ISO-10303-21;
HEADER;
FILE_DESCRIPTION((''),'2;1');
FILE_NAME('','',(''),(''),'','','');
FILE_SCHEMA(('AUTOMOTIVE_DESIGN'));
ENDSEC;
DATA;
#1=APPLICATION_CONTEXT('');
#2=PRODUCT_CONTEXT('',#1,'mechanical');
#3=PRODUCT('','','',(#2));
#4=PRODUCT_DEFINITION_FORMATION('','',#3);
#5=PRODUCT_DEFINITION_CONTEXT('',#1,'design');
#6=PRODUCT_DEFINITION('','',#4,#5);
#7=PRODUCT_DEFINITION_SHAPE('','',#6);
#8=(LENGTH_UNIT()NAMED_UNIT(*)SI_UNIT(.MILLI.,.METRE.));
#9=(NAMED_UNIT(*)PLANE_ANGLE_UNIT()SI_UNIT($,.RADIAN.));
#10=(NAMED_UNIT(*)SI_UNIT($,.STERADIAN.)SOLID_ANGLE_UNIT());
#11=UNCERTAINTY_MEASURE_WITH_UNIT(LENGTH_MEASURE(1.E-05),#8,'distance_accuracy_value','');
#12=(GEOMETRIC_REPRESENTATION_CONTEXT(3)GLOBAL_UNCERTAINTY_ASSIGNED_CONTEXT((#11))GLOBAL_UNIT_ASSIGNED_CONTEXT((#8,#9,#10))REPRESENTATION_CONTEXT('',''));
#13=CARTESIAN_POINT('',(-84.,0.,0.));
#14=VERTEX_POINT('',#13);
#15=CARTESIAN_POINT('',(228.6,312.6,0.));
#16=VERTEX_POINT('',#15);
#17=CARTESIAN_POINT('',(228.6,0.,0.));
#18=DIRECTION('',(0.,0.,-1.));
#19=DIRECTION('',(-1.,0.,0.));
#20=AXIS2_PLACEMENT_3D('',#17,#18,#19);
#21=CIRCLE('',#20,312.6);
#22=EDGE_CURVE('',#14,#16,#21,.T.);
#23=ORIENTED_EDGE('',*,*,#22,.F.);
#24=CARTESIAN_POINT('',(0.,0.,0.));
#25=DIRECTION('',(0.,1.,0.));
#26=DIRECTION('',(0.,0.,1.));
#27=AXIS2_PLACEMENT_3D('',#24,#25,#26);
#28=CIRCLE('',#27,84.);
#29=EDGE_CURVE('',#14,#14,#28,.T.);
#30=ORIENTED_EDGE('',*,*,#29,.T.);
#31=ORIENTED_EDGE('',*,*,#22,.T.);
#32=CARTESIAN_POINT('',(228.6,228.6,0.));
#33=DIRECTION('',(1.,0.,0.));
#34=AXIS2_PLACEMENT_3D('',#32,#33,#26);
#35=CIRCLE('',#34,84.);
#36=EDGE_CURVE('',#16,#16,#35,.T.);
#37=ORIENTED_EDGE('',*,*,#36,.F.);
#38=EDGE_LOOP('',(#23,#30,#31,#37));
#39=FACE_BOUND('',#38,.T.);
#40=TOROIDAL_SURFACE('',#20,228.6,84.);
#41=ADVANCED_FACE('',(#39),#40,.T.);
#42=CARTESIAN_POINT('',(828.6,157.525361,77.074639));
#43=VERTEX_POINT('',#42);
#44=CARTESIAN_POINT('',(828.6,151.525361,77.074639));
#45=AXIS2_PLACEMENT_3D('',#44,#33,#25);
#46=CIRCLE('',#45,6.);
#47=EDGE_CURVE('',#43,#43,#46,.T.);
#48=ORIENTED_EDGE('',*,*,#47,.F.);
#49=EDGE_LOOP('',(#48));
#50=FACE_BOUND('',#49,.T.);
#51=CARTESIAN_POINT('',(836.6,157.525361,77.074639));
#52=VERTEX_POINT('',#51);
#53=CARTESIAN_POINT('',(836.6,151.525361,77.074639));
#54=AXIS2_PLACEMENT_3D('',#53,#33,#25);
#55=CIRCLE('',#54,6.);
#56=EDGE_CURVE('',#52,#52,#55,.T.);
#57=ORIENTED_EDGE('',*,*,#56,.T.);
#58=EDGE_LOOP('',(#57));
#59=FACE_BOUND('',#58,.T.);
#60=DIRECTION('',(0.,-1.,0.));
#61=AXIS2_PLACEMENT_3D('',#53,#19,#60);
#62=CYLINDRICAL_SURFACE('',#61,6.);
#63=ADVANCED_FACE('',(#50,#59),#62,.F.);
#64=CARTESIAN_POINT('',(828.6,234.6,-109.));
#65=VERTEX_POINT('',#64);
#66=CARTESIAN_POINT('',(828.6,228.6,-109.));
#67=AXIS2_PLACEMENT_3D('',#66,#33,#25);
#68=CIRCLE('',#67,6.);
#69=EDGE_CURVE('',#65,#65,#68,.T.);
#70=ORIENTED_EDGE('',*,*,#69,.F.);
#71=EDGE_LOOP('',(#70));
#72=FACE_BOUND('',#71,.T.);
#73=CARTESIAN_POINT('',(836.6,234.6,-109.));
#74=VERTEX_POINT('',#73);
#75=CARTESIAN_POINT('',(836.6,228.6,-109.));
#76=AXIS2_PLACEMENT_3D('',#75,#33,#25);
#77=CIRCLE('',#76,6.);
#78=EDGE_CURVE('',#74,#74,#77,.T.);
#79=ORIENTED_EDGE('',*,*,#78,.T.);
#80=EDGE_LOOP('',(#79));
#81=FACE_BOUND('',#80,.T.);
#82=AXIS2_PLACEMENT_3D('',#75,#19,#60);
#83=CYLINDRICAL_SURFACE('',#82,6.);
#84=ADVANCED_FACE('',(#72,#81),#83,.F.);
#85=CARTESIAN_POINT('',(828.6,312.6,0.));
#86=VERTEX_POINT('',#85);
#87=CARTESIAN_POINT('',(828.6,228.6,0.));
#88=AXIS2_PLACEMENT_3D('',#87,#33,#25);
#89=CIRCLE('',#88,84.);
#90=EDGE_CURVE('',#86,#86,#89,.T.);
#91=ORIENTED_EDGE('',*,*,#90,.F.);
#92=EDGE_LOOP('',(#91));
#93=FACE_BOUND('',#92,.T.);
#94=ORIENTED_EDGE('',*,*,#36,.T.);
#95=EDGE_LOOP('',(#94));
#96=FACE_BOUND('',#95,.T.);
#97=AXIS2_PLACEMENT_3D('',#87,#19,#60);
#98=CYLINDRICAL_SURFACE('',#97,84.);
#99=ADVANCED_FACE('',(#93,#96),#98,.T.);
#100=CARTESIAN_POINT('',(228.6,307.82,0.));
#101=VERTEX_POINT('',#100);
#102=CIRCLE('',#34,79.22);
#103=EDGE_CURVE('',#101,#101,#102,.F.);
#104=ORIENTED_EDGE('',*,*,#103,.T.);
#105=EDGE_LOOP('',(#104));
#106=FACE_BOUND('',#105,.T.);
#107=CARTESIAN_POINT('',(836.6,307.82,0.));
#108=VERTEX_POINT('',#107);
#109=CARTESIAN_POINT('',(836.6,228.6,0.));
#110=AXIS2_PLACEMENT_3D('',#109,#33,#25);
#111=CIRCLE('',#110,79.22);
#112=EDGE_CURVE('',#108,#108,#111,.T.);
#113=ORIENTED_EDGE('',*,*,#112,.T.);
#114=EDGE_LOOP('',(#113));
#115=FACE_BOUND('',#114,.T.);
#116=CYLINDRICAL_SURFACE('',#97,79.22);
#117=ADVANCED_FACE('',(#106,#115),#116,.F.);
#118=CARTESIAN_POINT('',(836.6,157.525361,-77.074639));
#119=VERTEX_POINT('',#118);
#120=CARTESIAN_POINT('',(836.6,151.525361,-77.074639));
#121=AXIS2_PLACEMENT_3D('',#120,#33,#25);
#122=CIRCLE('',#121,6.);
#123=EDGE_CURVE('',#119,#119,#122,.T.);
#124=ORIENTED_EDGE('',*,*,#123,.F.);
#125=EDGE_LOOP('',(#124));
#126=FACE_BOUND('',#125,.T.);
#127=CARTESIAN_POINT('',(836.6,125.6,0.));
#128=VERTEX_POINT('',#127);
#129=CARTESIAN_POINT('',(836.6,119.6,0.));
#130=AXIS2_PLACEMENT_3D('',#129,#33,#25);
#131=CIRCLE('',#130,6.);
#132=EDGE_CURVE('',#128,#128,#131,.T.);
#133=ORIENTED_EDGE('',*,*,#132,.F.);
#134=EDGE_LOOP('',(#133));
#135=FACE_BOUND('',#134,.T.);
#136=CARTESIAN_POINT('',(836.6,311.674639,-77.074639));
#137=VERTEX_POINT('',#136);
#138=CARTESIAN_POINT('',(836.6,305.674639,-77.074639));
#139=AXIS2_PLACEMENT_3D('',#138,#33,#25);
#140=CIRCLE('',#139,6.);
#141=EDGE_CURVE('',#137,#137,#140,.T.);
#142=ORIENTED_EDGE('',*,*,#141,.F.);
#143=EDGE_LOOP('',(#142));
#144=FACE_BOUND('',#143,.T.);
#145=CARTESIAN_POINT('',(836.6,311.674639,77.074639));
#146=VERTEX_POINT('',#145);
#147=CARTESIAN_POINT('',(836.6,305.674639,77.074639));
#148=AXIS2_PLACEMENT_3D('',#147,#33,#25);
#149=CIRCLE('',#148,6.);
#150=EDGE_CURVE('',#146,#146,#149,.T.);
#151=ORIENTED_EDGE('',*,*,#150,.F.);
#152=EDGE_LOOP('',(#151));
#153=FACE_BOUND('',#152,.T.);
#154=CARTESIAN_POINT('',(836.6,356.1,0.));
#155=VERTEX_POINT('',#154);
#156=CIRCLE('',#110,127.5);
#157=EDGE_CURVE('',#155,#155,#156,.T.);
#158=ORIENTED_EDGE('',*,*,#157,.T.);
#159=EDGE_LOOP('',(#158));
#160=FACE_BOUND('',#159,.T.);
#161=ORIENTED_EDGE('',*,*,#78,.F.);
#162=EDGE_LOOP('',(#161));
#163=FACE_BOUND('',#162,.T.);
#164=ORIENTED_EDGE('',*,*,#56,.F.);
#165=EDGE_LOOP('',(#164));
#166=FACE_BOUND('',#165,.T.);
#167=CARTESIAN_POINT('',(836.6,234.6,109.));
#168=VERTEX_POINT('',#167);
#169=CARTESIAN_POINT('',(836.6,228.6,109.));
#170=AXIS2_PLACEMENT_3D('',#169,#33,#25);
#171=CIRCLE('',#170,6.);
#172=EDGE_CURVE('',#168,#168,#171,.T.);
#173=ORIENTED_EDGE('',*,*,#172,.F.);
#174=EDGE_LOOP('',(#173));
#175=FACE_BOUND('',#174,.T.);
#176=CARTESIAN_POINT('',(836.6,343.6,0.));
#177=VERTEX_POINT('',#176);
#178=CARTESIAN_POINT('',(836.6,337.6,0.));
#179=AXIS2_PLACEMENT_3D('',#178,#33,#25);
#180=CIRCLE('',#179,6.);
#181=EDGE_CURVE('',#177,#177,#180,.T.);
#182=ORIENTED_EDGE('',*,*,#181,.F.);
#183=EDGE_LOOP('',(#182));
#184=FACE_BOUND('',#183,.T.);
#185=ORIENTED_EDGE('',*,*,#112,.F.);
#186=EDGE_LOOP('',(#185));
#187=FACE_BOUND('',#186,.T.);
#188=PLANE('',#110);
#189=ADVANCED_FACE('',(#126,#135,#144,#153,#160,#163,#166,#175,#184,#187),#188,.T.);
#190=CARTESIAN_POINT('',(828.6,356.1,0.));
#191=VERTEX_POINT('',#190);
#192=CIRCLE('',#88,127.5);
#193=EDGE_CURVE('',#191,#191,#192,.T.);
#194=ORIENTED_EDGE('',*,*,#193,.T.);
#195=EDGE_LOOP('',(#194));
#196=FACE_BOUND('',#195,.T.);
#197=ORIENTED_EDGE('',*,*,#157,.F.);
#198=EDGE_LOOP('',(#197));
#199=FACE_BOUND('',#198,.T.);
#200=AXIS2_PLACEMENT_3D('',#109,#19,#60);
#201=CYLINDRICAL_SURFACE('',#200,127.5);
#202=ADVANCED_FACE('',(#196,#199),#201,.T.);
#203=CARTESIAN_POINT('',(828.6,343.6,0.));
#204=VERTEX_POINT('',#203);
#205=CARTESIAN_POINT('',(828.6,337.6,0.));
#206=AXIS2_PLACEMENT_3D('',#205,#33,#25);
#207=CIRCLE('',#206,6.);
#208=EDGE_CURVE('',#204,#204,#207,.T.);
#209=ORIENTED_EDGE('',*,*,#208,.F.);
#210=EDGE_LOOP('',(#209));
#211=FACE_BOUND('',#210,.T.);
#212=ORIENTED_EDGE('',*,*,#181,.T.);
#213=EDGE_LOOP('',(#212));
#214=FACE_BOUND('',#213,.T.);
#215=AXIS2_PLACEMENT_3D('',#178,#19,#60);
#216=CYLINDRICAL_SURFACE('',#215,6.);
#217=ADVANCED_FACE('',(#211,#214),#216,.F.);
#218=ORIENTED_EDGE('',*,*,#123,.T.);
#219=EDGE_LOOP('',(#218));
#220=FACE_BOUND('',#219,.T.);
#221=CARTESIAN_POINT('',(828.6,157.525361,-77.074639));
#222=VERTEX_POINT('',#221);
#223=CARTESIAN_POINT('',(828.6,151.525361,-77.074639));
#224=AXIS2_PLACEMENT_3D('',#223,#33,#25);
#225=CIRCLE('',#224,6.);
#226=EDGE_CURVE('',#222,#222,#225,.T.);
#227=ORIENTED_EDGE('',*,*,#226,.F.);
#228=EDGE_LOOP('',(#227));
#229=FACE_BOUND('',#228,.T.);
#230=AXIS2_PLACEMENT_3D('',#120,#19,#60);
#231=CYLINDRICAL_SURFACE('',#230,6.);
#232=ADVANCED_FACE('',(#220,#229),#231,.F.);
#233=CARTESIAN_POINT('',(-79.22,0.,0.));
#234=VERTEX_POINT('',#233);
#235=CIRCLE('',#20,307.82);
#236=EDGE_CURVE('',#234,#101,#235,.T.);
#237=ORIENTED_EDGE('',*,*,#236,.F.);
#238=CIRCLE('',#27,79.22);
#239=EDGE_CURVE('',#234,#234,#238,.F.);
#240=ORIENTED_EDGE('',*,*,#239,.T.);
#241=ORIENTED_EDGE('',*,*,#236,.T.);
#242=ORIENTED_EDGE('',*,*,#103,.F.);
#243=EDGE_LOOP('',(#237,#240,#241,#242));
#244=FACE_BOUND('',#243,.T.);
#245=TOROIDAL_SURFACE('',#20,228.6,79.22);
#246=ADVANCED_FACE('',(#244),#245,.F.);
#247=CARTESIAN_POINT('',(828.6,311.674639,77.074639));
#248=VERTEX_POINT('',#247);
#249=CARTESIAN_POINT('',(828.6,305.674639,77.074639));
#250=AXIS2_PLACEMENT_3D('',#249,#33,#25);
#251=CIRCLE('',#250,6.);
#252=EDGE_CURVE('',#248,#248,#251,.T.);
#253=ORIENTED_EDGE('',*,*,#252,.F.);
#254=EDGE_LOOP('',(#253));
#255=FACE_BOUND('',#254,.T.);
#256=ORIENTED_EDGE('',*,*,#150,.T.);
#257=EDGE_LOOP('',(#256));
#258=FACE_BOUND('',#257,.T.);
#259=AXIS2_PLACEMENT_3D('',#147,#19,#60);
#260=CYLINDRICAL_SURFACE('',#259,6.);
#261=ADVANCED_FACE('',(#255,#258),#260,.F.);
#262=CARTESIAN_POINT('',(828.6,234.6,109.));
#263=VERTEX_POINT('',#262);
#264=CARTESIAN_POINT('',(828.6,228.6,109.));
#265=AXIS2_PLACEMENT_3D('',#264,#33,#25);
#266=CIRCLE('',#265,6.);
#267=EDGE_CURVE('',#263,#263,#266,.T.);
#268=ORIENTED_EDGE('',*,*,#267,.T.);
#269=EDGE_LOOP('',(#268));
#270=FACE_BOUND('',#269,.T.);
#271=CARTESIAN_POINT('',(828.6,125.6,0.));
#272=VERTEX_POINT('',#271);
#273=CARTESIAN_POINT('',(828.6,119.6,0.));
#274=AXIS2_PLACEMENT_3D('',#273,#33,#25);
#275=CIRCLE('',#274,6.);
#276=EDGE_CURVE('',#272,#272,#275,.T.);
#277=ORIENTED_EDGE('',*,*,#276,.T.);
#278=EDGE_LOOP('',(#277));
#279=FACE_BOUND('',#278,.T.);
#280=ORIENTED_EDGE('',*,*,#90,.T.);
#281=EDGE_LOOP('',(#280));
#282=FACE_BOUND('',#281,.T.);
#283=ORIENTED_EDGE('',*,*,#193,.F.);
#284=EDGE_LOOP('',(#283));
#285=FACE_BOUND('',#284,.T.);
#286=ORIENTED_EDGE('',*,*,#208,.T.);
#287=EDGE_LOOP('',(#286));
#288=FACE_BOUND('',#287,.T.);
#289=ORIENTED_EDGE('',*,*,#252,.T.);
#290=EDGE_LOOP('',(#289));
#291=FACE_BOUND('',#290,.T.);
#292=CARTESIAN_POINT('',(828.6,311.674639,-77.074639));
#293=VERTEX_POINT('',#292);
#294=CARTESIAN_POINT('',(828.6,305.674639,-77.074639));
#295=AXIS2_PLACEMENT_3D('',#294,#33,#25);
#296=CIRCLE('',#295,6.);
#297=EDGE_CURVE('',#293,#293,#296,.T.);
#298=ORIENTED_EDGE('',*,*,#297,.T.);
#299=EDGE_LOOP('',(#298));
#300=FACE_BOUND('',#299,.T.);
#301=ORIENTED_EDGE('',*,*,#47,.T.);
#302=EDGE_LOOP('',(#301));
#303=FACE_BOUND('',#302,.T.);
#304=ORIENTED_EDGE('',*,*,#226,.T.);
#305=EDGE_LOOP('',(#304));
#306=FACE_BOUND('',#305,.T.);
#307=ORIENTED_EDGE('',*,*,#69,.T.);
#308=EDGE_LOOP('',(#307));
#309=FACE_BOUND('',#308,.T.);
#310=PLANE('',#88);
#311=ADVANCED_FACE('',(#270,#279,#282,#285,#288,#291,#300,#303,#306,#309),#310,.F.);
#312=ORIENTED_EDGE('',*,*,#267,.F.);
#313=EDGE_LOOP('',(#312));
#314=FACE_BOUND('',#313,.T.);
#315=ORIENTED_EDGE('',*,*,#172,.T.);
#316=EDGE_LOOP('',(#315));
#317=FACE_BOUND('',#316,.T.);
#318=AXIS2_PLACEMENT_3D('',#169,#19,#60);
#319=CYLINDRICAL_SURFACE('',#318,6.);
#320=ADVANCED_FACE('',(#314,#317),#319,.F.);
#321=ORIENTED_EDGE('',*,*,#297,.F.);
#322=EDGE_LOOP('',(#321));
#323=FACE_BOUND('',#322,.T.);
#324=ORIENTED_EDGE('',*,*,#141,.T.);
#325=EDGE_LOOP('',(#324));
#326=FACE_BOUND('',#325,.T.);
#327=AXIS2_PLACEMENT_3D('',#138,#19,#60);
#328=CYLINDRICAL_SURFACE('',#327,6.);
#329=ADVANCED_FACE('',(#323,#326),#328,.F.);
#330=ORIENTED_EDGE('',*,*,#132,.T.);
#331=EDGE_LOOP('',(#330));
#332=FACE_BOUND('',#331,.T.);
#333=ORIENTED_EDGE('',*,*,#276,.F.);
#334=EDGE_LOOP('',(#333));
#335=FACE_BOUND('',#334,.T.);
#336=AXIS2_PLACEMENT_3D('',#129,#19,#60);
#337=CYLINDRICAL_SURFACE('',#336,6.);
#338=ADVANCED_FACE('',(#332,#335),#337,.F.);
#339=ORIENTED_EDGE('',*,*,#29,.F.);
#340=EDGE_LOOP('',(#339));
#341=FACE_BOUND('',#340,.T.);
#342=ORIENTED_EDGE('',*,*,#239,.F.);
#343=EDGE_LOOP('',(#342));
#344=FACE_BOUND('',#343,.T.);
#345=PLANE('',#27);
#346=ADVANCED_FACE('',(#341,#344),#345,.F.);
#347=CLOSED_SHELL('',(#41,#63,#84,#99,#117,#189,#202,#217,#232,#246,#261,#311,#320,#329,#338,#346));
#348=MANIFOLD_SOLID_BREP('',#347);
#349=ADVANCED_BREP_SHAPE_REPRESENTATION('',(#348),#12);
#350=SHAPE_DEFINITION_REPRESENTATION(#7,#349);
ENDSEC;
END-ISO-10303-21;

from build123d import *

# Parameters (mm, degrees)
SKETCH1_R           = 84
SKETCH1_R_2         = 79.22
SKETCH3_R           = 84
SKETCH3_R_2         = 79.22
BOSS_EXTRUDE1_DEPTH = 600
SKETCH4_R           = 127.5
SKETCH4_R_2         = 79.22
SKETCH4_R_3         = 6
BOSS_EXTRUDE2_DEPTH = 8


with BuildPart() as part:
    # Sweep1: sweep along a path in Sketch2
    with BuildLine(Plane.XY) as sweep1_path:
        ThreePointArc((0, 0), (66.955389821, 161.644610179), (228.6, 228.6))
    # Sketch1 → Sweep1 (sweep)
    with BuildSketch(Plane(origin=(0, 0, 0), x_dir=(1, 0, 0), z_dir=(0, 1, 0))):
        Circle(SKETCH1_R)
        Circle(SKETCH1_R_2, mode=Mode.SUBTRACT)
    sweep(path=sweep1_path.line)

    # Sketch3 → Boss-Extrude1 (add)
    with BuildSketch(Plane(origin=(228.6, 0, 0), x_dir=(0, 0, -1), z_dir=(1, 0, 0))):
        with Locations(Location((0, 228.6, 0), (0, 0, 90))):
            Circle(SKETCH3_R)
        with Locations(Location((0, 228.6, 0), (0, 0, 90))):
            Circle(SKETCH3_R_2, mode=Mode.SUBTRACT)
    extrude(amount=BOSS_EXTRUDE1_DEPTH)

    # Sketch4 → Boss-Extrude2 (add)
    with BuildSketch(Plane(origin=(828.6, 0, 0), x_dir=(0, 0, -1), z_dir=(1, 0, 0))):
        with Locations(Location((0, 228.6, 0), (0, 0, 90))):
            Circle(SKETCH4_R)
        with Locations(Location((0, 228.6, 0), (0, 0, 90))):
            Circle(SKETCH4_R_2, mode=Mode.SUBTRACT)
        with Locations(Location((0, 337.6, 0), (0, 0, 90))):
            Circle(SKETCH4_R_3, mode=Mode.SUBTRACT)
        with Locations(Location((77.074639149, 305.674639149, 0), (0, 0, 90))):
            Circle(SKETCH4_R_3, mode=Mode.SUBTRACT)
        with Locations(Location((109, 228.6, 0), (0, 0, 90))):
            Circle(SKETCH4_R_3, mode=Mode.SUBTRACT)
        with Locations(Location((77.074639149, 151.525360851, 0), (0, 0, 90))):
            Circle(SKETCH4_R_3, mode=Mode.SUBTRACT)
        with Locations(Location((0, 119.6, 0), (0, 0, 90))):
            Circle(SKETCH4_R_3, mode=Mode.SUBTRACT)
        with Locations(Location((-77.074639149, 151.525360851, 0), (0, 0, 90))):
            Circle(SKETCH4_R_3, mode=Mode.SUBTRACT)
        with Locations(Location((-109, 228.6, 0), (0, 0, 90))):
            Circle(SKETCH4_R_3, mode=Mode.SUBTRACT)
        with Locations(Location((-77.074639149, 305.674639149, 0), (0, 0, 90))):
            Circle(SKETCH4_R_3, mode=Mode.SUBTRACT)
    extrude(amount=BOSS_EXTRUDE2_DEPTH)


solid = part.part
